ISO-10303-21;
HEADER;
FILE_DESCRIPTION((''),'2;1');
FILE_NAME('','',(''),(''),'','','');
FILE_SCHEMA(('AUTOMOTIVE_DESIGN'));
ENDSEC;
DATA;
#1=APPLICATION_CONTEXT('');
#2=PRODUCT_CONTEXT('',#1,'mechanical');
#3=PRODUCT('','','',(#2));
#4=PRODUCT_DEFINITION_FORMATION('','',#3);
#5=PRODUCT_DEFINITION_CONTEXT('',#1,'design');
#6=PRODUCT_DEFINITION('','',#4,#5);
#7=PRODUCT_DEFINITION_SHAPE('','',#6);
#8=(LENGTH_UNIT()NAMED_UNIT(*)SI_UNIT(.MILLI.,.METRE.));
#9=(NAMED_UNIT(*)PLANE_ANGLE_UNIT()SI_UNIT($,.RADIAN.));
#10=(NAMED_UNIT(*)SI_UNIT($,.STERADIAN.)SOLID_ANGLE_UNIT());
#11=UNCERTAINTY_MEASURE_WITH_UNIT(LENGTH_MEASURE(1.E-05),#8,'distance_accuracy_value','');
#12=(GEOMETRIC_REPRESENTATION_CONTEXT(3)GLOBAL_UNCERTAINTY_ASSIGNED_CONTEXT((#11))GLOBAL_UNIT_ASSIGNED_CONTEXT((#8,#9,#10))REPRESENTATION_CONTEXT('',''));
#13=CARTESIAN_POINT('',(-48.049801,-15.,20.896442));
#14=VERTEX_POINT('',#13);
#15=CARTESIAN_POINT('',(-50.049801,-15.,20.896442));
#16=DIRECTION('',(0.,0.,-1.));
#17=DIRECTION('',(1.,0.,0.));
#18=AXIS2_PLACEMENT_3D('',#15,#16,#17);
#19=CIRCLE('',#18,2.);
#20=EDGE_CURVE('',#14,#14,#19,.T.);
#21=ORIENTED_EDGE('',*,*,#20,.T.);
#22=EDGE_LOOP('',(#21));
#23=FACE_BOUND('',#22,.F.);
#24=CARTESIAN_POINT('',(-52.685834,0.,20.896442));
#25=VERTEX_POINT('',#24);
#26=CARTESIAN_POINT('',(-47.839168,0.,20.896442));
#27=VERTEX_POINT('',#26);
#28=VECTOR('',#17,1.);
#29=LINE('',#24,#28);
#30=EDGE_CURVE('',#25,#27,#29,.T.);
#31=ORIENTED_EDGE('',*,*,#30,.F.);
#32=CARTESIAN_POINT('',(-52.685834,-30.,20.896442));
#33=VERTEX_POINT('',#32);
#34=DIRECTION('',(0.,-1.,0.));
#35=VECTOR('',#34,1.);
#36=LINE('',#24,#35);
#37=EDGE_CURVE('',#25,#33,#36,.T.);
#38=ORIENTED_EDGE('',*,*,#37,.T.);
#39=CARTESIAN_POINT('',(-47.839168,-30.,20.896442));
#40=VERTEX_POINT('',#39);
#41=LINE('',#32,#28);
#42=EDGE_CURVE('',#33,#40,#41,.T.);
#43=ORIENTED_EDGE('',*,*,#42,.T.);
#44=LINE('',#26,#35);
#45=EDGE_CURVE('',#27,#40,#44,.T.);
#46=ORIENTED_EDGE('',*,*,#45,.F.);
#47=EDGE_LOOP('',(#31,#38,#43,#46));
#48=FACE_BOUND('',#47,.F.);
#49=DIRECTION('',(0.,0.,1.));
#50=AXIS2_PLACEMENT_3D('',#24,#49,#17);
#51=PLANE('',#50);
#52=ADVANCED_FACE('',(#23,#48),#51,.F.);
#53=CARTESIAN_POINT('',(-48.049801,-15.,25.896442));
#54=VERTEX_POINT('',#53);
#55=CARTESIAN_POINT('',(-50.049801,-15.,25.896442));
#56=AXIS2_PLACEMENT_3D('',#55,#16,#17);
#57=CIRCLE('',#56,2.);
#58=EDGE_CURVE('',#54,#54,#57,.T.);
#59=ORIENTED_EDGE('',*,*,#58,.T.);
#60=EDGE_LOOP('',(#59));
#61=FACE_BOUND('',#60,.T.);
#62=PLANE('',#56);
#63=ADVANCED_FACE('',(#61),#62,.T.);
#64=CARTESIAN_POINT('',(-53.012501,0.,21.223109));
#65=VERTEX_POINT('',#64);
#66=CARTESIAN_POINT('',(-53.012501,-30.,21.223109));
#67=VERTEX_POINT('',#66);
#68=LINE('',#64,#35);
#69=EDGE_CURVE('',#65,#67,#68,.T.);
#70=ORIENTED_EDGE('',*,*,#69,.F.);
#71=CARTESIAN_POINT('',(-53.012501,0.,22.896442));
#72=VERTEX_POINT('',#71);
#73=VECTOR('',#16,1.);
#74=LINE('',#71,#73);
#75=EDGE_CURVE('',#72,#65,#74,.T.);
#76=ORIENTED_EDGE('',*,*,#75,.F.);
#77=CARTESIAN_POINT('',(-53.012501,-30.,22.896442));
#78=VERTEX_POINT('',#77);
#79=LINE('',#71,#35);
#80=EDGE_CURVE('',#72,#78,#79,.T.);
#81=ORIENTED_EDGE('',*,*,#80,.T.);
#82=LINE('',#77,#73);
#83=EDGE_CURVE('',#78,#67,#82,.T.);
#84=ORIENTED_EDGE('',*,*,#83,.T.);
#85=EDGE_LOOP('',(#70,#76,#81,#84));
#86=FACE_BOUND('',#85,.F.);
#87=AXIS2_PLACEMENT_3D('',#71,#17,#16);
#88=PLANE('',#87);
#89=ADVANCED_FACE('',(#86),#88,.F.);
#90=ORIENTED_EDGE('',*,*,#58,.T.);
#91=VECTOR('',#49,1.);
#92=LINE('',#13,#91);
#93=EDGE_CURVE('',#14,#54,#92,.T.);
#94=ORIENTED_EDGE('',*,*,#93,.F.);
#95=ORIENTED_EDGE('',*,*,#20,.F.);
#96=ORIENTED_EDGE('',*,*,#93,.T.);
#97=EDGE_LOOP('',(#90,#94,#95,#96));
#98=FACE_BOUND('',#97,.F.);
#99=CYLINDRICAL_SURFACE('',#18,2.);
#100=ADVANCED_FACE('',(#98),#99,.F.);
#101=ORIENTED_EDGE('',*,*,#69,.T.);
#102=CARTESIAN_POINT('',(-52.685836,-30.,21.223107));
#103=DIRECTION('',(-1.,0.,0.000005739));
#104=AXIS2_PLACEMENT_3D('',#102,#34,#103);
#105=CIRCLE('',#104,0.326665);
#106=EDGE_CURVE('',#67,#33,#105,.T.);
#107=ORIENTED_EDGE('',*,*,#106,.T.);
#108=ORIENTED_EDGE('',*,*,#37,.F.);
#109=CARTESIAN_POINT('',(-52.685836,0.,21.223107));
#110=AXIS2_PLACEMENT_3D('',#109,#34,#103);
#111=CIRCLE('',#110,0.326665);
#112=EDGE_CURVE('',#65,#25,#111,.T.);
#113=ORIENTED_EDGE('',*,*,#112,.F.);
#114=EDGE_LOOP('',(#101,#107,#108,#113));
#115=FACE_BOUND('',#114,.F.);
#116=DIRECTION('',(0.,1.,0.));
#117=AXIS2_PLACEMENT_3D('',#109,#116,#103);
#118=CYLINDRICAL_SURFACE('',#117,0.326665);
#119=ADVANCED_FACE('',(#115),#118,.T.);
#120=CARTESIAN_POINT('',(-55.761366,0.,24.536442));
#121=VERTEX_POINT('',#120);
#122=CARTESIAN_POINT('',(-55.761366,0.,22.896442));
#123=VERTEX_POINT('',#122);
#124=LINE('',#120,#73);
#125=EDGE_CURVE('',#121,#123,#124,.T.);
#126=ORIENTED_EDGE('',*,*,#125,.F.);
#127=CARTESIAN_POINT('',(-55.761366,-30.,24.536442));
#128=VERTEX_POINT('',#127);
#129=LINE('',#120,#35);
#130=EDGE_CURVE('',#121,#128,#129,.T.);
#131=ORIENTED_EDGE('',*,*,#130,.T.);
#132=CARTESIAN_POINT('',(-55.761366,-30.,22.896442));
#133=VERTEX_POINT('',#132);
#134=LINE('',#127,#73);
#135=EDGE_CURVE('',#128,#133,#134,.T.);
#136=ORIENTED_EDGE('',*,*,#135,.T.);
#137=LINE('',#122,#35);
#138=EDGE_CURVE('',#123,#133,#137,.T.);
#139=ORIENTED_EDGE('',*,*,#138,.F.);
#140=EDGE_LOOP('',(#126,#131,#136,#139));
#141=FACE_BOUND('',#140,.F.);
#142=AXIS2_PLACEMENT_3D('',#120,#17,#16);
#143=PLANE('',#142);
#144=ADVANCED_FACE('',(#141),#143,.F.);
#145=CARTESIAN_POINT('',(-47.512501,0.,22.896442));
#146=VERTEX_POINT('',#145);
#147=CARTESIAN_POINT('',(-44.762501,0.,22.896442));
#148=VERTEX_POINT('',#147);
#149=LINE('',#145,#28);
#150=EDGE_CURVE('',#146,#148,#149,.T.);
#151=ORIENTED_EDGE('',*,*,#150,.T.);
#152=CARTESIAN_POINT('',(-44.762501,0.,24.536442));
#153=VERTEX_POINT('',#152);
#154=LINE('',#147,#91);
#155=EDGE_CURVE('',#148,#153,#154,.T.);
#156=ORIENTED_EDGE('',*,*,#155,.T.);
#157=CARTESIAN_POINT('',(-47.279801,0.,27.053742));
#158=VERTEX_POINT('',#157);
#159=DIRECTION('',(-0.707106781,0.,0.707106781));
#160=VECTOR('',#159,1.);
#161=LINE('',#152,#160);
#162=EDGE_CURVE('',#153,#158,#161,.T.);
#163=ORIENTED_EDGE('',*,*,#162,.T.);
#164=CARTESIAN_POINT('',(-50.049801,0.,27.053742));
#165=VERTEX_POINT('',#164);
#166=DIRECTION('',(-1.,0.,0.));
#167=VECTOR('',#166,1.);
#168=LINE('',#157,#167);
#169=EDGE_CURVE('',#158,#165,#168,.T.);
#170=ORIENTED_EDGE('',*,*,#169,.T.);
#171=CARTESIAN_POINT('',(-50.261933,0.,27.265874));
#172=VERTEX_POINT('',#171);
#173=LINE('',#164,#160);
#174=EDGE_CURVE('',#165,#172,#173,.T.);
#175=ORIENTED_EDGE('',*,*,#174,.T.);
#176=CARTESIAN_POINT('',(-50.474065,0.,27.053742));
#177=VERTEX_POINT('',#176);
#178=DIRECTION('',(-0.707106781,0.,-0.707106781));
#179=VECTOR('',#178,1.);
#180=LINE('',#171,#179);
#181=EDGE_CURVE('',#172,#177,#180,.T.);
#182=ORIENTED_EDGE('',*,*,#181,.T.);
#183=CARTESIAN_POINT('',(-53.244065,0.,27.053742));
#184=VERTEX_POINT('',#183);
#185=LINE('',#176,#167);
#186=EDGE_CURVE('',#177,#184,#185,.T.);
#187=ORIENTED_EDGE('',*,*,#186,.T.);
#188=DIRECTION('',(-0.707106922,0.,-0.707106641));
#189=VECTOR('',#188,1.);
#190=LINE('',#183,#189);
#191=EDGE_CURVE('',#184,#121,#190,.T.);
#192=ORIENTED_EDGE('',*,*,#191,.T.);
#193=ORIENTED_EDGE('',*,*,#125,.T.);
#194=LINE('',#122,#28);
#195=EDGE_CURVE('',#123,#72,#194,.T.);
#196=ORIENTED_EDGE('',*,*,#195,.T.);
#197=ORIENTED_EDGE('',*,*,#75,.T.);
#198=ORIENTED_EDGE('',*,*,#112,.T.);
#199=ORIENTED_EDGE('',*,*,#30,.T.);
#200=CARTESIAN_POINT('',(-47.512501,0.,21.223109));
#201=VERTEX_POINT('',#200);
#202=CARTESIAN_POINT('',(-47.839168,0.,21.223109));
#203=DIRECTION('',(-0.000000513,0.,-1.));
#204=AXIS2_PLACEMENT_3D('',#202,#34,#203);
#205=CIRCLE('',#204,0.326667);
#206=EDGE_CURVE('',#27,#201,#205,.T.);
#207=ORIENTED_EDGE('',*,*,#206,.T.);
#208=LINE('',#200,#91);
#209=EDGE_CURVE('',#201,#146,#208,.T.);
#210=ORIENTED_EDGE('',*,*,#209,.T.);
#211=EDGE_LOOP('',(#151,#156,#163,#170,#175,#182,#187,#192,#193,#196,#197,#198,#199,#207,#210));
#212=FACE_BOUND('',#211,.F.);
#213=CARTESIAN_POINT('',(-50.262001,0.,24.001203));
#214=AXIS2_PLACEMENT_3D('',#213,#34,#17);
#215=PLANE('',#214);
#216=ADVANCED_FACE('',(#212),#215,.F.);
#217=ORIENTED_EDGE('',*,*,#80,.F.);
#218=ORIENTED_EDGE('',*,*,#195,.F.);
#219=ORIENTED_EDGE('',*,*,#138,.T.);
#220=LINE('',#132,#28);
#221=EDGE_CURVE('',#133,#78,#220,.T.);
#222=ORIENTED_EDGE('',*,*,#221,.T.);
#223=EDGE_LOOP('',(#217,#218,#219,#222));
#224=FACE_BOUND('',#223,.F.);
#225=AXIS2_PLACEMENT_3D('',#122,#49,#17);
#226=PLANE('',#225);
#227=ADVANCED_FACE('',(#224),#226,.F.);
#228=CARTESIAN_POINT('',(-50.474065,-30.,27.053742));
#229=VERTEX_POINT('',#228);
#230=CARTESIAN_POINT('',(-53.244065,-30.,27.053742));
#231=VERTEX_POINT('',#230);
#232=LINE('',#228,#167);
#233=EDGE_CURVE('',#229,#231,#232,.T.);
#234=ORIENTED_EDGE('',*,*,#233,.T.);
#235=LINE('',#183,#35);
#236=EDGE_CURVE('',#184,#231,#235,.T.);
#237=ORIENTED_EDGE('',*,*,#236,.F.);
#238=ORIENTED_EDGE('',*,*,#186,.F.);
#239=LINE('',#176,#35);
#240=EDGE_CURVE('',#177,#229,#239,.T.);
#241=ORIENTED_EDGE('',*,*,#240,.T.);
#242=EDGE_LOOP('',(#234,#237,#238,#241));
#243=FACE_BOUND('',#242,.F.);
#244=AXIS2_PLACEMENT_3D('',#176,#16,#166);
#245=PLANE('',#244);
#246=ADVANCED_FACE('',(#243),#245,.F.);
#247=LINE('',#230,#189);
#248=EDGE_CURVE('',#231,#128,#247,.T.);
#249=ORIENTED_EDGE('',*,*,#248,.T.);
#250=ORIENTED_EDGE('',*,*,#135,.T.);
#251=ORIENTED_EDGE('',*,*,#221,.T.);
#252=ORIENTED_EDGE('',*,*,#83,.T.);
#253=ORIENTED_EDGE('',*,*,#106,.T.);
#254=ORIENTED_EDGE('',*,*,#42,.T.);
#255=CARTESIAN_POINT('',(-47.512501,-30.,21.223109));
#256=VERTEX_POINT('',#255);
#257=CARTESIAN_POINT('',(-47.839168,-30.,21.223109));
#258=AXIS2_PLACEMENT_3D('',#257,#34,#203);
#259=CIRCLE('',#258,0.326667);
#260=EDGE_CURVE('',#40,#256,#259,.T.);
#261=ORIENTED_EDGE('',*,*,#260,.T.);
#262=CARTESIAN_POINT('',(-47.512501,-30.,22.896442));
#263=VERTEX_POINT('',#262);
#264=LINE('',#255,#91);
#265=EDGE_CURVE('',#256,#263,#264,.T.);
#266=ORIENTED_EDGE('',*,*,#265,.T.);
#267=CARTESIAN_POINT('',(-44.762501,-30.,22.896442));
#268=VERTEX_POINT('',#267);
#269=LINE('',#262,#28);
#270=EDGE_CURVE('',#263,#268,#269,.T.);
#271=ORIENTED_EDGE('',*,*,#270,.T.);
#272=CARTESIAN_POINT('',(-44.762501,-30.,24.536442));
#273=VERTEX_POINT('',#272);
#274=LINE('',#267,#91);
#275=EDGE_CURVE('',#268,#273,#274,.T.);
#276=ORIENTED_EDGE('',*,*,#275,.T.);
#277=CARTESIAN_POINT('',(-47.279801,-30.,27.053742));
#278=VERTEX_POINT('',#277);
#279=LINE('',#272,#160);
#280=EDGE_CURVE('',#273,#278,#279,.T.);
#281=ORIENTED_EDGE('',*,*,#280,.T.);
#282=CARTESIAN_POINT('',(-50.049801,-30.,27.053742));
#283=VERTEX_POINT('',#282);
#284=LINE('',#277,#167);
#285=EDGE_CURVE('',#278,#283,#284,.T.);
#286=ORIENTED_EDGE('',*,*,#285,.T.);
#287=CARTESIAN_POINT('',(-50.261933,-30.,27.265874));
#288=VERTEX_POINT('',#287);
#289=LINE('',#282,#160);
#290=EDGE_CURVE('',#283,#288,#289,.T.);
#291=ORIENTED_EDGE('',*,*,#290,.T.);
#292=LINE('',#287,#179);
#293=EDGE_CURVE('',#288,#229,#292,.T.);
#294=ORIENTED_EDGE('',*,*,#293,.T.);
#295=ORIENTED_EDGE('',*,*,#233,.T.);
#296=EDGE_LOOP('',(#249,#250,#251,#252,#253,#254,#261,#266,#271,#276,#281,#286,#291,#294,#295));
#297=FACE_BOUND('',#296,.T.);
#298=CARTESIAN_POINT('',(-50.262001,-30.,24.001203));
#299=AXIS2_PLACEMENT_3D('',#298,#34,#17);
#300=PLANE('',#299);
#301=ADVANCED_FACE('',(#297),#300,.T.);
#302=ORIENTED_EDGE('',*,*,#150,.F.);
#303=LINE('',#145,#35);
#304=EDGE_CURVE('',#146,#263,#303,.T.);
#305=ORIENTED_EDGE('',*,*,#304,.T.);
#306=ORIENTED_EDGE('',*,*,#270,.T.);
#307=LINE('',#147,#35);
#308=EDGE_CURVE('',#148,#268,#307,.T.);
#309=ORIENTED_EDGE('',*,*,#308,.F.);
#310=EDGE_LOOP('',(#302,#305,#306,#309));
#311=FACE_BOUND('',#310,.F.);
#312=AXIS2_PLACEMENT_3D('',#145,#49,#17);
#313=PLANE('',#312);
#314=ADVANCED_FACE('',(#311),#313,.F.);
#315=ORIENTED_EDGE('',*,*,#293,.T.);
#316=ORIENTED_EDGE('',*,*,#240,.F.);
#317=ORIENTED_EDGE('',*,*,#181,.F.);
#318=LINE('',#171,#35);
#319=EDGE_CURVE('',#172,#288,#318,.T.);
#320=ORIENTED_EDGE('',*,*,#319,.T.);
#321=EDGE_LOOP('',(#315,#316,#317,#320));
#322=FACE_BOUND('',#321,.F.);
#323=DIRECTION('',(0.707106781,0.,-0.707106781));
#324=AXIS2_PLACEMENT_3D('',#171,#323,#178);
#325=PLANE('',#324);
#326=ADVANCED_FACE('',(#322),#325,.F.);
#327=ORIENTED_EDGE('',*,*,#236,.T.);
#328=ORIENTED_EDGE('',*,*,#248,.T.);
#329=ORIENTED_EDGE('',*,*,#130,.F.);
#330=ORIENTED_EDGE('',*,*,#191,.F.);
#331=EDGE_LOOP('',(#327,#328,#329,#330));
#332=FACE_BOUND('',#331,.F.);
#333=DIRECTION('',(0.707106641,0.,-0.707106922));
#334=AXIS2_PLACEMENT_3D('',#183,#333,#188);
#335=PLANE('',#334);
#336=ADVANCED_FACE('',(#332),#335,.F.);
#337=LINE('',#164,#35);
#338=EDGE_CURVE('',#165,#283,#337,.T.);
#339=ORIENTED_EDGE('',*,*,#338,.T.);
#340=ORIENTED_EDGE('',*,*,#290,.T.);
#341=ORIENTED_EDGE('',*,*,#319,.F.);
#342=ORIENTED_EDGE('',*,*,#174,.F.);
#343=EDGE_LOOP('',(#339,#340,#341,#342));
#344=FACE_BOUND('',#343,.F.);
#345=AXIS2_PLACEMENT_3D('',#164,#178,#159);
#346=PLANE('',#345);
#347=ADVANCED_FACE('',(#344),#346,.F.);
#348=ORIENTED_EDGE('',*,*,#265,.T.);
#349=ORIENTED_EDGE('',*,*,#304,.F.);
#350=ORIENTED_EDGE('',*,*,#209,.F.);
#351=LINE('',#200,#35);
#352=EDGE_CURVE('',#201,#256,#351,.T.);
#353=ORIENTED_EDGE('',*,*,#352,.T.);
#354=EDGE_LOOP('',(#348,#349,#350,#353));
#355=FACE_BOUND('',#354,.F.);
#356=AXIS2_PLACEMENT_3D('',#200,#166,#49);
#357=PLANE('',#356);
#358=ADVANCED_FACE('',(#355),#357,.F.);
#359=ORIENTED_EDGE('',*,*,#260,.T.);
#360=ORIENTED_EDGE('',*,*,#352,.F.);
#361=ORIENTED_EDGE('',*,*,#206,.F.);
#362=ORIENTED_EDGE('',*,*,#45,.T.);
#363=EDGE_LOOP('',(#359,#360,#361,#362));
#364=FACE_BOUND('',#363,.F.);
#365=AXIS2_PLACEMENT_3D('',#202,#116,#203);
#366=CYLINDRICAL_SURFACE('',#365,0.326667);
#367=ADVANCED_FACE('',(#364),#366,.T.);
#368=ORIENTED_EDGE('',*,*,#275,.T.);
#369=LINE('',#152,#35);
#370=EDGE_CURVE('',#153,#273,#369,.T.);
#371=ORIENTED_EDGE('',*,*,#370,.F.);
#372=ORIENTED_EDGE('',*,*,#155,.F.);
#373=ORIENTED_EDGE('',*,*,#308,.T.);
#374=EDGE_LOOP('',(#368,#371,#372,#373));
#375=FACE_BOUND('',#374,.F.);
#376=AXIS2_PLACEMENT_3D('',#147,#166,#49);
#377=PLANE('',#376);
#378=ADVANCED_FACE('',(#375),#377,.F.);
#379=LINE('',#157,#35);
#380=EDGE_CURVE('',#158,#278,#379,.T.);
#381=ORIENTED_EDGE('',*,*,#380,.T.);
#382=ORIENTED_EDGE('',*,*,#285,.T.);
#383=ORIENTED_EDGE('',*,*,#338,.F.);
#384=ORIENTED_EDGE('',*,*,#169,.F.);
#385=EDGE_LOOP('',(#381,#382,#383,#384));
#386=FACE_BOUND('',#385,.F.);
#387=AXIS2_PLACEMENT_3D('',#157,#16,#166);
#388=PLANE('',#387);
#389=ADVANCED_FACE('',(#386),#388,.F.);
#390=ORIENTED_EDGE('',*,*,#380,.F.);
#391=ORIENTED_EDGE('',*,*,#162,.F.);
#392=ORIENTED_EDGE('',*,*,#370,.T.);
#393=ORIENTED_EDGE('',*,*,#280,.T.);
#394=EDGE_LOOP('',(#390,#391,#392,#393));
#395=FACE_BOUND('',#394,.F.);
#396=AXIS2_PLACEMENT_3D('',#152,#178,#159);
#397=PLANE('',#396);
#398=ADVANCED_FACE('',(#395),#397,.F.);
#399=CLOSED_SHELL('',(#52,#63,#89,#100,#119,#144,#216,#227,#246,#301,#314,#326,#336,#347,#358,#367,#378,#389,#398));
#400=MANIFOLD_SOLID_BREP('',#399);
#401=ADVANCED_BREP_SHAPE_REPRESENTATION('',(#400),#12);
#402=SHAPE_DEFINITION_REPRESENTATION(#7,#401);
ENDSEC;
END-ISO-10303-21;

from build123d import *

# Parameters (mm, degrees)
F1_DEPTH = 30
F2_R     = 2
F3_DEPTH = 5


with BuildPart() as f1:
    # F0 (on Front) → F1 (new body)
    with BuildSketch(Plane.XZ):
        with BuildLine():
            Line((-50.474065, 27.053742), (-53.244065, 27.053742))
            Line((-53.244065, 27.053742), (-55.761366, 24.536442))
            Line((-55.761366, 24.536442), (-55.761366, 22.896442))
            Line((-55.761366, 22.896442), (-53.012501, 22.896442))
            Line((-53.012501, 22.896442), (-53.012501, 21.223109))
            ThreePointArc((-53.012501, 21.223109), (-52.916823, 20.99212), (-52.685834, 20.896442))
            Line((-52.685834, 20.896442), (-47.839168, 20.896442))
            ThreePointArc((-47.839168, 20.896442), (-47.60818, 20.99212), (-47.512501, 21.223109))
            Line((-47.512501, 21.223109), (-47.512501, 22.896442))
            Line((-47.512501, 22.896442), (-44.762501, 22.896442))
            Line((-44.762501, 22.896442), (-44.762501, 24.536442))
            Line((-44.762501, 24.536442), (-47.279801, 27.053742))
            Line((-47.279801, 27.053742), (-50.049801, 27.053742))
            Line((-50.049801, 27.053742), (-50.261933, 27.265874))
            Line((-50.261933, 27.265874), (-50.474065, 27.053742))
        make_face()
    extrude(amount=F1_DEPTH)

    # F2 (on face) → F3 (cut)
    with BuildSketch(Plane(origin=(0, 0, 20.896442), x_dir=(1, 0, 0), z_dir=(0, 0, -1))):
        with Locations((-50.049801, 15)):
            Circle(F2_R)
    extrude(amount=-F3_DEPTH, mode=Mode.SUBTRACT)


solid = f1.part
